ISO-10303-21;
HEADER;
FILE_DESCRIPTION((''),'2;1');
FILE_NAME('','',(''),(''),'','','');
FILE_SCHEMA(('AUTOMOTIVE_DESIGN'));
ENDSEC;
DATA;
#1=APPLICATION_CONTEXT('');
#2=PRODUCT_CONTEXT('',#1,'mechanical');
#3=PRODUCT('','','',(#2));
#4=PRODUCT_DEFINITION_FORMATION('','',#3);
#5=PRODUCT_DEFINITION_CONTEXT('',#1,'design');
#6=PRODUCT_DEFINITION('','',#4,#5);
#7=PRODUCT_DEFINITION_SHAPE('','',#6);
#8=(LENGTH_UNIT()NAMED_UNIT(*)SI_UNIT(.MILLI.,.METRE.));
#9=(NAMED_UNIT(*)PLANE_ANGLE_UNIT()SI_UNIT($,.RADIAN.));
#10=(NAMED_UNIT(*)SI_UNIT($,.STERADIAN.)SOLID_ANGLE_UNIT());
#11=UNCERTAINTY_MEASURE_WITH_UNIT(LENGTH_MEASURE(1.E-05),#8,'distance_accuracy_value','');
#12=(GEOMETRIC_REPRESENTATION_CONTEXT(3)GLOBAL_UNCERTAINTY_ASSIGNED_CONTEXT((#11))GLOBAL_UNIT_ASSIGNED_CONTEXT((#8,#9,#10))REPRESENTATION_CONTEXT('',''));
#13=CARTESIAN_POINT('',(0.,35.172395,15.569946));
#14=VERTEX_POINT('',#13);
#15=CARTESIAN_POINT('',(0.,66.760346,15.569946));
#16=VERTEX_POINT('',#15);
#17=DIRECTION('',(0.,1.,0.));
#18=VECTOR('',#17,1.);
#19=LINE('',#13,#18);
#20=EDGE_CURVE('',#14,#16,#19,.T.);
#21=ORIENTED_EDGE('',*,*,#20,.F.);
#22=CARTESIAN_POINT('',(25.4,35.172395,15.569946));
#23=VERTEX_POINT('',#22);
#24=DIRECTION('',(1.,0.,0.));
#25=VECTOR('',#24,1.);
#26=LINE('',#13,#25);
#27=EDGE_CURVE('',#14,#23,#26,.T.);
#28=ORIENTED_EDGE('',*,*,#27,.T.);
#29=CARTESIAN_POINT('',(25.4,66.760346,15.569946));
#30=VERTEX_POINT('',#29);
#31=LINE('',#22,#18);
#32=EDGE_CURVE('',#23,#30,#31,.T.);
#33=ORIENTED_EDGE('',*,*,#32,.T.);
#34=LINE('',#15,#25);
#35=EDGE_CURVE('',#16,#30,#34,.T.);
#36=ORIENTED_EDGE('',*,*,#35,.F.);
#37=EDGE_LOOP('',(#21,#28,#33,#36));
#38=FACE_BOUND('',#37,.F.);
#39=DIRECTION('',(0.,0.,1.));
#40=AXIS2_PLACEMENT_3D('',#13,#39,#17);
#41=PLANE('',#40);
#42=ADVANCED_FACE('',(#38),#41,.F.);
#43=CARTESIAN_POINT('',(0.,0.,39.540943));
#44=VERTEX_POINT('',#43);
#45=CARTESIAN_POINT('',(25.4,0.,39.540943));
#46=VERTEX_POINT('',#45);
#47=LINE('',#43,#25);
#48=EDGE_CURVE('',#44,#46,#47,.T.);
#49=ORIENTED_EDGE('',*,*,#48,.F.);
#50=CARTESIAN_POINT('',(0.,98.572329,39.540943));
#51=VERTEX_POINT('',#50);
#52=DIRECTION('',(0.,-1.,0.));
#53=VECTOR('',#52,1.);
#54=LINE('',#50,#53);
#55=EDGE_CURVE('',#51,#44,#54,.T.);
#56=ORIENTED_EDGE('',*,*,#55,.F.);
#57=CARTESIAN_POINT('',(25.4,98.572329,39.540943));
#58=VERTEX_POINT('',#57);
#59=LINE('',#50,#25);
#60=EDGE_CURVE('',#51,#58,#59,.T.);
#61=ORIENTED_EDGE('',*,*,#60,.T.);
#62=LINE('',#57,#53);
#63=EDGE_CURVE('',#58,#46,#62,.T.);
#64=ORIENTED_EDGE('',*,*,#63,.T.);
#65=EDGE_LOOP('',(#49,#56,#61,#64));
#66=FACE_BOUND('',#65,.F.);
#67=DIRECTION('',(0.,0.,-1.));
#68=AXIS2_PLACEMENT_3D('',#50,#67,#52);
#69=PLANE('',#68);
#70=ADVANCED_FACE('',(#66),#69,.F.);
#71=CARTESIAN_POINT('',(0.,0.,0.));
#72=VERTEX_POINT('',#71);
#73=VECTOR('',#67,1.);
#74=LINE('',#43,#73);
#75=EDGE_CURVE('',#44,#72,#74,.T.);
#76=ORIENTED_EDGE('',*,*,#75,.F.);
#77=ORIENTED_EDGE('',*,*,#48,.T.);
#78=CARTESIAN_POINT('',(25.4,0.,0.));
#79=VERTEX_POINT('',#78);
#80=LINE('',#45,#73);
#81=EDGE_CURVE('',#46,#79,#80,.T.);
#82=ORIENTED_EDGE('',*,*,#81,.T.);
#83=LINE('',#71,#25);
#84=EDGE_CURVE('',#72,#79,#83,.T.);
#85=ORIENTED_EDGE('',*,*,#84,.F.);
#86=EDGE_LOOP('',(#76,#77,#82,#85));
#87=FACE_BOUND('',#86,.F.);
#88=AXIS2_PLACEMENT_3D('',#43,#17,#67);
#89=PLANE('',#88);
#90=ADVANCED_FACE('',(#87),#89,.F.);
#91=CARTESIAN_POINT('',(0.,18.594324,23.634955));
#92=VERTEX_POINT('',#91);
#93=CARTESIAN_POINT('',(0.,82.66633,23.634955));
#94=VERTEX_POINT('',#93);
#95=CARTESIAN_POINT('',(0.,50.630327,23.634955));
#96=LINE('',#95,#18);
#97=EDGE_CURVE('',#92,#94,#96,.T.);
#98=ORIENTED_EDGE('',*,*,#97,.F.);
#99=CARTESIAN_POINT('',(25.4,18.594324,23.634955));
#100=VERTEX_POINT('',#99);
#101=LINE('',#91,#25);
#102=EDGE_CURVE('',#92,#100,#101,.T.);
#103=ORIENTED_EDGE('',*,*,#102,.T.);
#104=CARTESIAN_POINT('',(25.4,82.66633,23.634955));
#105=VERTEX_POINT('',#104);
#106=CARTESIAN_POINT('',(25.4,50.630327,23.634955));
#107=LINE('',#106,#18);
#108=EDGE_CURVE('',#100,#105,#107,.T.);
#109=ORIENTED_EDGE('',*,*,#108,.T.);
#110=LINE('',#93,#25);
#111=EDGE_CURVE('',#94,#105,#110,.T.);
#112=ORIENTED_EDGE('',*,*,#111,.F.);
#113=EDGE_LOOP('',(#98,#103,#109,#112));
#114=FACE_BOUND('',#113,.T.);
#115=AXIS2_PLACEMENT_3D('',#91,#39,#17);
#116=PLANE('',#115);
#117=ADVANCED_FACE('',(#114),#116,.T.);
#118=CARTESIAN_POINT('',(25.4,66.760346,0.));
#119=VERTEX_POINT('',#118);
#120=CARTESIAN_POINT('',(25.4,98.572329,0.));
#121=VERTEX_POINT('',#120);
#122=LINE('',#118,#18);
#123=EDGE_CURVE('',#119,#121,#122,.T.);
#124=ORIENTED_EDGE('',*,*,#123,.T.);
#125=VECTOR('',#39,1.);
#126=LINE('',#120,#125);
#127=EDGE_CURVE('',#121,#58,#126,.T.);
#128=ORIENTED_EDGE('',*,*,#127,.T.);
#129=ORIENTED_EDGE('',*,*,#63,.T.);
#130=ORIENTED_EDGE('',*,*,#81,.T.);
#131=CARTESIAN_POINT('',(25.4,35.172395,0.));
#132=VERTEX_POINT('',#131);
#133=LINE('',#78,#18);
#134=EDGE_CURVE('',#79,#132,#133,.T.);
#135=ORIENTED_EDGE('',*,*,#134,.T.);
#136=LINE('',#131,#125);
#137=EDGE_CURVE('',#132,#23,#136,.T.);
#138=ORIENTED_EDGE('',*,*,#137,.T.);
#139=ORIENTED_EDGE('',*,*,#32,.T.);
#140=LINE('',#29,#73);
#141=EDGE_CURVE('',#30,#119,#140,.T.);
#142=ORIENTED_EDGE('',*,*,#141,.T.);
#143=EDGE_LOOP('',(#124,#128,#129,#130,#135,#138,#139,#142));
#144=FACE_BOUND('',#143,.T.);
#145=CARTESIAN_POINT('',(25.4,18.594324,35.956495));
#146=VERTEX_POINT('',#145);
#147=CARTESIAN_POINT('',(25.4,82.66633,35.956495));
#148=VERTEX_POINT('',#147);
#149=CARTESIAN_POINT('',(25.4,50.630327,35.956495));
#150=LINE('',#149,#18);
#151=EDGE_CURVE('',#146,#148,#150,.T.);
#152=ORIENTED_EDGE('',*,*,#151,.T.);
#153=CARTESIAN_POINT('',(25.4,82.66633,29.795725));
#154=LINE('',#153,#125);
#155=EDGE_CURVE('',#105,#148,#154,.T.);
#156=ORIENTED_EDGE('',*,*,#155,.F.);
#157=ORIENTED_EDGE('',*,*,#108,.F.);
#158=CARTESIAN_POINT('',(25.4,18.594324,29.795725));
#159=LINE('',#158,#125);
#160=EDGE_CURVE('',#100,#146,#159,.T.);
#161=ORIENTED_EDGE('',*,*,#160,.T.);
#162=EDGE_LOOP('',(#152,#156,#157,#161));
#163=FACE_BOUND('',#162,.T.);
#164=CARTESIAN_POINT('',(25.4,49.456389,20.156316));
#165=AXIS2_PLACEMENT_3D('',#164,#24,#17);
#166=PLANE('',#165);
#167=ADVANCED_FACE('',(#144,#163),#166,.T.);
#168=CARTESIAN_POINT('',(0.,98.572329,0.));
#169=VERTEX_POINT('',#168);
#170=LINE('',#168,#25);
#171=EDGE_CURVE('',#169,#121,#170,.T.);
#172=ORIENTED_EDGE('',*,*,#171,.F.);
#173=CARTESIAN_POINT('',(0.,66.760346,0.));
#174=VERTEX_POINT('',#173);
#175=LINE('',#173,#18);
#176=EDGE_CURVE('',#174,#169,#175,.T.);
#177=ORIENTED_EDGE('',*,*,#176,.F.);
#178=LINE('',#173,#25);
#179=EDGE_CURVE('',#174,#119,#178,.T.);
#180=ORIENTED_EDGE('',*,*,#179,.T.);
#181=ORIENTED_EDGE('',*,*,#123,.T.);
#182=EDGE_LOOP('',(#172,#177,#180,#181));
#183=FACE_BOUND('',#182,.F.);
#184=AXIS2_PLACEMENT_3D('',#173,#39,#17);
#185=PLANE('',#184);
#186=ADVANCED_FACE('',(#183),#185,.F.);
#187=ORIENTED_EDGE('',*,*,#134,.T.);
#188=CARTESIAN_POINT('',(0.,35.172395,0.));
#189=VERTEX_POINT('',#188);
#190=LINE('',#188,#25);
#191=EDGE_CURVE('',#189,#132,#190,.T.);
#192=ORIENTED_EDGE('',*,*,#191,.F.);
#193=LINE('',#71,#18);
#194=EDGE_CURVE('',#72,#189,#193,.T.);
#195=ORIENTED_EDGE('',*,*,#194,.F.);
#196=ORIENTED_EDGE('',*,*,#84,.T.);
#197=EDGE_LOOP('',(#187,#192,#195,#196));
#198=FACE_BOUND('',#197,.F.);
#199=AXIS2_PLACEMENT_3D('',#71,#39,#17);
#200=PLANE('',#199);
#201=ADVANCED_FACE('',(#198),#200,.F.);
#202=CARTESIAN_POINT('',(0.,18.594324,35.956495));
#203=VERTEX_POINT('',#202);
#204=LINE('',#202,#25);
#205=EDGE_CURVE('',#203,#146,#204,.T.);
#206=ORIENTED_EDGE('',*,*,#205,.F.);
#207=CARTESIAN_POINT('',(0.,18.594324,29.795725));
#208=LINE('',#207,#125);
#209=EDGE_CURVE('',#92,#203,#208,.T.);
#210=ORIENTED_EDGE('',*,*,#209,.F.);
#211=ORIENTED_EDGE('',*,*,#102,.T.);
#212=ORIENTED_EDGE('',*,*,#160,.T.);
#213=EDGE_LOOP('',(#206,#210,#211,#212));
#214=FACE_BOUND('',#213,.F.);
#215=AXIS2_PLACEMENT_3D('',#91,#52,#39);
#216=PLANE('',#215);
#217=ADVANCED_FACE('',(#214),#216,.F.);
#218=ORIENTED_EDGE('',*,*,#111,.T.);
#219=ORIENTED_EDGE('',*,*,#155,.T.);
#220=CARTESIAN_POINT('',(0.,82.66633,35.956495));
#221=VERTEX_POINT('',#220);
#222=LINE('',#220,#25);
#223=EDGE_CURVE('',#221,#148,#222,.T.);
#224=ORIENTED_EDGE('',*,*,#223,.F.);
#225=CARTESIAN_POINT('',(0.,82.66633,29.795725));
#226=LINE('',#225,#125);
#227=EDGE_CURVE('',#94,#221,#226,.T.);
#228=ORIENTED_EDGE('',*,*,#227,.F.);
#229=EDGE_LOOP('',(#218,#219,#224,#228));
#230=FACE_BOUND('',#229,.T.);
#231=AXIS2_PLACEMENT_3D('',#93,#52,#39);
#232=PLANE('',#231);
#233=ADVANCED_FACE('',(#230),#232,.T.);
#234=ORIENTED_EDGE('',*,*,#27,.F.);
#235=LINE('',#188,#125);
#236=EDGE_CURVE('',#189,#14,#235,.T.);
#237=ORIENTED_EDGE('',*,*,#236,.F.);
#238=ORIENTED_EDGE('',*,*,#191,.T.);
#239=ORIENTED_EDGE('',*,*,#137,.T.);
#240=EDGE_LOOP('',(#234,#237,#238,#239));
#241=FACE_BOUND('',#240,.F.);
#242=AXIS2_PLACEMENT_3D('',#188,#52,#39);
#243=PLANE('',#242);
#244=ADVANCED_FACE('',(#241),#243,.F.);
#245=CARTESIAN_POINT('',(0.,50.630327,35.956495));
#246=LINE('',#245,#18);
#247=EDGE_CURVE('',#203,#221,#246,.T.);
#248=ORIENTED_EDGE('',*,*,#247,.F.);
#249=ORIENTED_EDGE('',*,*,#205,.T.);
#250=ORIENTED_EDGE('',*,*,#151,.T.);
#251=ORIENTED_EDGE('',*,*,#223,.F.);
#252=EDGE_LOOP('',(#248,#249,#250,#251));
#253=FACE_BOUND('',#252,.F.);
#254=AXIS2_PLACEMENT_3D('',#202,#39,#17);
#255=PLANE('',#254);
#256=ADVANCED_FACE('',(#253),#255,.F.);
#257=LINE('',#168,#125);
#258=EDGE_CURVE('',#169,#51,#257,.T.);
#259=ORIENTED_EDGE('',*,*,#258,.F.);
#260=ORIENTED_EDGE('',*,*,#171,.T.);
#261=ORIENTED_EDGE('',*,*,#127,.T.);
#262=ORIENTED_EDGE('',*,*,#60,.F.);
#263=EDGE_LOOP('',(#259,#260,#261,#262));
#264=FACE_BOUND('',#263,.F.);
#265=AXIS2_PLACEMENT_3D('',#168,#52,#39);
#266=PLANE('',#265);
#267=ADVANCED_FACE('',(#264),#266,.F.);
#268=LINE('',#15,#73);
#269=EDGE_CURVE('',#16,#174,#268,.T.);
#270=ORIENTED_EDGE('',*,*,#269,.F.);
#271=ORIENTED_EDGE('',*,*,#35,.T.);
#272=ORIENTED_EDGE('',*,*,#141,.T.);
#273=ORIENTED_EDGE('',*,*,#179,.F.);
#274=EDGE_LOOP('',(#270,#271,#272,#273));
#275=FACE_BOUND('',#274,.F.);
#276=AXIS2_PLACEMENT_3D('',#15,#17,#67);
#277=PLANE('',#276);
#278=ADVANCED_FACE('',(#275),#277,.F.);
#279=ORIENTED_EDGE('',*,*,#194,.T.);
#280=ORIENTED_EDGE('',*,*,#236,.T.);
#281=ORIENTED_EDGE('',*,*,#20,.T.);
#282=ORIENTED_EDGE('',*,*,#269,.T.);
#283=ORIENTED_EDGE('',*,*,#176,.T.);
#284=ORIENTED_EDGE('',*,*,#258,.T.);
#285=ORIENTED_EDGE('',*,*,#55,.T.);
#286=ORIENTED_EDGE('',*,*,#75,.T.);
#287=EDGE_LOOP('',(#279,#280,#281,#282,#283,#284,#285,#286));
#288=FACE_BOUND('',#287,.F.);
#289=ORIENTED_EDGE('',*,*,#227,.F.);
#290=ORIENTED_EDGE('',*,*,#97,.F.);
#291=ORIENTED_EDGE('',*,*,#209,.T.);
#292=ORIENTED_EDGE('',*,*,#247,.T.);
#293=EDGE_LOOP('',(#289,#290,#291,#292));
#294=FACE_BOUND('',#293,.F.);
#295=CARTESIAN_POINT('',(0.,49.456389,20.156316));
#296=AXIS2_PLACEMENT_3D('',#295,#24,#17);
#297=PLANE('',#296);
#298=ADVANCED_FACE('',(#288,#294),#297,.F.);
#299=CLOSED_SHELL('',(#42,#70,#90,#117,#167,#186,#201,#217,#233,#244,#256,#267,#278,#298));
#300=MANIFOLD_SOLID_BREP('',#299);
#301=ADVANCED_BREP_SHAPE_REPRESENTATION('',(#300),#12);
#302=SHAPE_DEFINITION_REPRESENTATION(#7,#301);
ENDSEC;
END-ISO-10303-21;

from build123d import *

# Parameters (mm, degrees)
F0_W     = 64.072005
F0_H     = 12.32154
F1_DEPTH = 25.4


with BuildPart() as f1:
    # F0 (on Right) → F1 (new body)
    with BuildSketch(Plane.YZ):
        Polygon((0, 39.540943), (0, 0), (35.172395, 0), (35.172395, 15.569946), (50.966371, 15.569946), (66.760346, 15.569946), (66.760346, 0), (98.572329, 0), (98.572329, 39.540943), align=None)
        with Locations((50.630327, 29.795725)):
            Rectangle(F0_W, F0_H, mode=Mode.SUBTRACT)
    extrude(amount=F1_DEPTH)


solid = f1.part
